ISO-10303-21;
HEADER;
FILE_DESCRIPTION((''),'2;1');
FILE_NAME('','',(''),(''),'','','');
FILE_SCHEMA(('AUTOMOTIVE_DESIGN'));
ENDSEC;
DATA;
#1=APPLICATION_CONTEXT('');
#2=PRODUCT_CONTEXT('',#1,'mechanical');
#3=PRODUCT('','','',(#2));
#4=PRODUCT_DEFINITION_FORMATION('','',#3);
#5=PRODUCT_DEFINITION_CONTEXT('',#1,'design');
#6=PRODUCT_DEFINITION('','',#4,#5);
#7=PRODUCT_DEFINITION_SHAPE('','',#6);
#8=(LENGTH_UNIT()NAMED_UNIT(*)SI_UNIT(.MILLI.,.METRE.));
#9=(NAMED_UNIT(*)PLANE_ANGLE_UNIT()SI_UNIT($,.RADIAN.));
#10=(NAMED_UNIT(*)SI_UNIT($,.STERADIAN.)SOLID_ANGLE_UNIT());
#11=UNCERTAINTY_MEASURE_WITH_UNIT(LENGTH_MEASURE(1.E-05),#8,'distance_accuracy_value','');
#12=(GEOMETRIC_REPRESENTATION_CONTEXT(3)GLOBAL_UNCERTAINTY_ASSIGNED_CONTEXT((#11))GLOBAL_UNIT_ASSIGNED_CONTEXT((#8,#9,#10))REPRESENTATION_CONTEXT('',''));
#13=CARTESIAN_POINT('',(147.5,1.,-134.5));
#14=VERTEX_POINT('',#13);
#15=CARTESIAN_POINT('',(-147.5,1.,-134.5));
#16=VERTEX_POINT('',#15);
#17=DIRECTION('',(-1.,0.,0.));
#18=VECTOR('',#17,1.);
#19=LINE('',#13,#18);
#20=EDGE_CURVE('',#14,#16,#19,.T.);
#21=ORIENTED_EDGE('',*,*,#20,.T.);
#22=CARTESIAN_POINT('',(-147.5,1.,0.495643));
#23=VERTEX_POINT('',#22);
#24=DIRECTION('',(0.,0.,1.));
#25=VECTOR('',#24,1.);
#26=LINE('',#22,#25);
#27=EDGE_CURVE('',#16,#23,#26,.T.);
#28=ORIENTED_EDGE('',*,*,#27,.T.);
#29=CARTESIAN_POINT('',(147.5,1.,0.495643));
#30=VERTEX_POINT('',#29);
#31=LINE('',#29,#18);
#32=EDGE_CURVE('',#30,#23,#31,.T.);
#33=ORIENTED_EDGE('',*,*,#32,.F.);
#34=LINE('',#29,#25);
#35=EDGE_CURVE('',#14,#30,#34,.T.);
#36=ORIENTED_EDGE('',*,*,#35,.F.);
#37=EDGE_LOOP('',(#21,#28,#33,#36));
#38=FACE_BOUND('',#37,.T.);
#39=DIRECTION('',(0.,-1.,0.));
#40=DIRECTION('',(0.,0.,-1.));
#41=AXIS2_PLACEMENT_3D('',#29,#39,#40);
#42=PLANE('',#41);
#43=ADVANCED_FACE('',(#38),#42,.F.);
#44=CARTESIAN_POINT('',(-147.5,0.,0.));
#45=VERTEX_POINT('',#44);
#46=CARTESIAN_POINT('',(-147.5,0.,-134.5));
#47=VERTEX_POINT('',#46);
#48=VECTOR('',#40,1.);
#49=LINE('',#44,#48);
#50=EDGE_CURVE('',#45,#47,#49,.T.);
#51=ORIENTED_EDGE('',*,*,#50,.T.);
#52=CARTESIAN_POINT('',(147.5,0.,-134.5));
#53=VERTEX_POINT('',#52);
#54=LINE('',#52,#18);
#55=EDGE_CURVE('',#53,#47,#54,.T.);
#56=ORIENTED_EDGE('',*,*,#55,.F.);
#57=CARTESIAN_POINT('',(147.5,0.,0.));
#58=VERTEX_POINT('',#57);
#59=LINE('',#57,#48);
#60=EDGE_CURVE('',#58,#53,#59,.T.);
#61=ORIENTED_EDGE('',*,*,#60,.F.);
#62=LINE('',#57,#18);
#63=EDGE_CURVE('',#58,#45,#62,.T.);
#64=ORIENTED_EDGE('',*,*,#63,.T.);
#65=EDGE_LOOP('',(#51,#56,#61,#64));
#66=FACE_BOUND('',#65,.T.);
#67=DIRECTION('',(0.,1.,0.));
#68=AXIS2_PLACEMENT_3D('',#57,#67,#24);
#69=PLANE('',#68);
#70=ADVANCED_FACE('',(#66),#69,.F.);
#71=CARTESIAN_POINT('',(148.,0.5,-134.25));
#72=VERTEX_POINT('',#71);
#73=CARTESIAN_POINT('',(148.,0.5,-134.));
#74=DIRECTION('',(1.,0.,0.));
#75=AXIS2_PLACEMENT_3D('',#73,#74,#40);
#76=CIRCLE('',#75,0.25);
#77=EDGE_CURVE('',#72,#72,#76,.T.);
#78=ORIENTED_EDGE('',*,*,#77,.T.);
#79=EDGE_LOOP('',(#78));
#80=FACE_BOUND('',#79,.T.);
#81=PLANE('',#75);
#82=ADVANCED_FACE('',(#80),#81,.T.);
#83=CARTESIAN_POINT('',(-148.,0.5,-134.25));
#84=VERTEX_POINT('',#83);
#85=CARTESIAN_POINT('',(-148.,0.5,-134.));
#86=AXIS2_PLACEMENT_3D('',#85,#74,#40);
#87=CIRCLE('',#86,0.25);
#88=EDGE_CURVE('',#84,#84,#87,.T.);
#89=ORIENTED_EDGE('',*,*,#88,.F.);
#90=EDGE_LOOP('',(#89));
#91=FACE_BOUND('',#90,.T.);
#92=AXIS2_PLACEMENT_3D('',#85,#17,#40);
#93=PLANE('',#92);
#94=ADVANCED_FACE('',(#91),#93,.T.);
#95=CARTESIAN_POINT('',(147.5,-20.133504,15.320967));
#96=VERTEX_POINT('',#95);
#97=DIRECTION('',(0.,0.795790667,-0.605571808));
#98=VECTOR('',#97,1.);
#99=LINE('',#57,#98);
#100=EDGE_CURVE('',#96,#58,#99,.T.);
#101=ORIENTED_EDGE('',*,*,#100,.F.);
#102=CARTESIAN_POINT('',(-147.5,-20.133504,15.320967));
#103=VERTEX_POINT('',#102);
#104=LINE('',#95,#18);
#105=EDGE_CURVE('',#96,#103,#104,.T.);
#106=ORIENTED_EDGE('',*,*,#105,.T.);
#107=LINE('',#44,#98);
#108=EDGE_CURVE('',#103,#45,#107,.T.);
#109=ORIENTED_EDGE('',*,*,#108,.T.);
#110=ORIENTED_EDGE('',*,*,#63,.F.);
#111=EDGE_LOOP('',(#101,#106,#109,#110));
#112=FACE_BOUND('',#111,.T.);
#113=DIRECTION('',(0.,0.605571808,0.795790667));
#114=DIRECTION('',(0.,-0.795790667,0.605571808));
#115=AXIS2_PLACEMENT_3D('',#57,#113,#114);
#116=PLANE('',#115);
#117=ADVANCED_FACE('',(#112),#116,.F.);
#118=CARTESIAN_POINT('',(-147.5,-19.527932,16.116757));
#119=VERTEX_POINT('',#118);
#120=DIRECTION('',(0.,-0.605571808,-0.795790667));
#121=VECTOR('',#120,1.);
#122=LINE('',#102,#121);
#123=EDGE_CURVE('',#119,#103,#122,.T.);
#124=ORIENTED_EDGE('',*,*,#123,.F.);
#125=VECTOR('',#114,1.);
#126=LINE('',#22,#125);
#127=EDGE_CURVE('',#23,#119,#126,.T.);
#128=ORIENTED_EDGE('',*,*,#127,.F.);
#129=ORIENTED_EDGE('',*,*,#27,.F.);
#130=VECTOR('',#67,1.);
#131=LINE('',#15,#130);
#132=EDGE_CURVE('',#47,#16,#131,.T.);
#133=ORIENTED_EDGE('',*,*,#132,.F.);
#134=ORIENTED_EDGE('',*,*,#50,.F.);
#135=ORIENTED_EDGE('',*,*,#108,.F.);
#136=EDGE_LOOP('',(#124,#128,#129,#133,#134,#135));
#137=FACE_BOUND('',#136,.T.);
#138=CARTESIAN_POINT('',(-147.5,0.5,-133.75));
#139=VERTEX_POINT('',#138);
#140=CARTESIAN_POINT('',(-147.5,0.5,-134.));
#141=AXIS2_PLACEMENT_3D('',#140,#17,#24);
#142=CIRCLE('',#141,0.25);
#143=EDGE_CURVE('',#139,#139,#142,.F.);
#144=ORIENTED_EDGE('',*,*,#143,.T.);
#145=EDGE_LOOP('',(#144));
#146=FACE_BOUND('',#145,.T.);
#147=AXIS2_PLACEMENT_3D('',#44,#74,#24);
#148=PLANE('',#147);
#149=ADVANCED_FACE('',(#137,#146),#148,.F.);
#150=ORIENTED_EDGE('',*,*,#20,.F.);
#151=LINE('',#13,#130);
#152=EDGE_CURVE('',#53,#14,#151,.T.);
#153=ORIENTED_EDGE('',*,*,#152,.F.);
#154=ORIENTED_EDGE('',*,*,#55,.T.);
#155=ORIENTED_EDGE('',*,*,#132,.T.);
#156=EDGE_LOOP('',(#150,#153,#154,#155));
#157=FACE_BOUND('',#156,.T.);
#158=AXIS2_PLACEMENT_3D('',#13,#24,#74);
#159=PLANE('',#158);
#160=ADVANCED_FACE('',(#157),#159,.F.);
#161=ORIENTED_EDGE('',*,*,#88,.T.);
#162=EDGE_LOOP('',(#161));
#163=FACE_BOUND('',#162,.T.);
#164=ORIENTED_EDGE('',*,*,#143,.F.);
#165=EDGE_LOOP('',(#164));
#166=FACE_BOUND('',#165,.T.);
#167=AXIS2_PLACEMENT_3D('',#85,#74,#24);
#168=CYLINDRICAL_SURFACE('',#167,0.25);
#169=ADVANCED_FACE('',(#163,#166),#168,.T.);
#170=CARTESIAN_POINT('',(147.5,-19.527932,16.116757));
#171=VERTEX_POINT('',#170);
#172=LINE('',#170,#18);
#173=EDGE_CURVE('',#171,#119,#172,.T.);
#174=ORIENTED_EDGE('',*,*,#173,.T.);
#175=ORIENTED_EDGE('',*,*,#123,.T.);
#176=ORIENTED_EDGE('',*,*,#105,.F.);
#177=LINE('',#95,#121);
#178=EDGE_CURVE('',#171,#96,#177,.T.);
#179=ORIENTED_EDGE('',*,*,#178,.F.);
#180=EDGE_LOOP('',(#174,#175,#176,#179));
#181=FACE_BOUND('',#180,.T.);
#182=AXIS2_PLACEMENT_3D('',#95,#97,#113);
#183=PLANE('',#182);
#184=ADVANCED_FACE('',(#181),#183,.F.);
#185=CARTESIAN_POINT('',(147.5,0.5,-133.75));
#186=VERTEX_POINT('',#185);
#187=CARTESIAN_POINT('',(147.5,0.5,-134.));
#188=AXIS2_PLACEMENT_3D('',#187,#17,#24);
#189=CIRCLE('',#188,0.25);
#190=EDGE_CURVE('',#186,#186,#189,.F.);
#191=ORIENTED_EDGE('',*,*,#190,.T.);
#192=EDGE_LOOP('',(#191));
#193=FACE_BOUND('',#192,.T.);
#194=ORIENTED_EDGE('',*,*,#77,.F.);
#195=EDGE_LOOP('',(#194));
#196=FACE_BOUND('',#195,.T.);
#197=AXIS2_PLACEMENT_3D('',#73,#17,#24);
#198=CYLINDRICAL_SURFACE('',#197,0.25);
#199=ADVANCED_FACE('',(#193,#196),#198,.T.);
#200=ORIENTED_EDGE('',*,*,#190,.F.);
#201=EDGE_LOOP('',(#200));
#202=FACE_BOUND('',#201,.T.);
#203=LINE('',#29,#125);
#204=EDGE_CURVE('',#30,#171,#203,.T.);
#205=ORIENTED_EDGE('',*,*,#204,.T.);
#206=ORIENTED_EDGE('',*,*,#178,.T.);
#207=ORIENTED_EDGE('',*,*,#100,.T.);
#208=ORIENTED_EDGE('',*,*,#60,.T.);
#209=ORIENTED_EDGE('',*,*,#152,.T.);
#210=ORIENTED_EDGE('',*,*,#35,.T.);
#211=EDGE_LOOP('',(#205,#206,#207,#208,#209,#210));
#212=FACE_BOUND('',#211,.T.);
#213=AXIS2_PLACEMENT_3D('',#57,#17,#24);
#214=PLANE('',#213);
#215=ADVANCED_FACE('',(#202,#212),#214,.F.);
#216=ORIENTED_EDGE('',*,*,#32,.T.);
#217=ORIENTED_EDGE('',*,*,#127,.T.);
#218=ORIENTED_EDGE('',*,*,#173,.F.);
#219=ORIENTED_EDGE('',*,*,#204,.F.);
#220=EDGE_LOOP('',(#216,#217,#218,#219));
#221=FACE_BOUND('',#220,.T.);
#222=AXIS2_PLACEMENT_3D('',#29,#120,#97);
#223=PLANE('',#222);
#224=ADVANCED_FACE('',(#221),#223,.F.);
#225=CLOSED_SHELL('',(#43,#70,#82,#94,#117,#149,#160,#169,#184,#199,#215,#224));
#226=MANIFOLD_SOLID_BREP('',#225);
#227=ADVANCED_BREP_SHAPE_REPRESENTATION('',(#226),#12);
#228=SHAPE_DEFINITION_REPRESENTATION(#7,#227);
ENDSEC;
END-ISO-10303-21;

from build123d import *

# Parameters (mm, degrees)
SALIENTE_EXTRUIR1_DEPTH = 147.5
CROQUIS2_R              = 0.25
SALIENTE_EXTRUIR2_DEPTH = 0.5


with BuildPart() as part:
    # Croquis1 → Saliente-Extruir1 (new body)
    with BuildSketch(Plane(origin=(0, 0, 0), x_dir=(0, 0, -1), z_dir=(1, 0, 0))):
        Polygon((0, 0), (134.5, 0), (134.5, 1), (-0.495643149, 1), (-16.116757416, -19.527932056), (-15.320966749, -20.133503865), align=None)
    extrude(amount=SALIENTE_EXTRUIR1_DEPTH)

    # Croquis2 → Saliente-Extruir2 (add)
    with BuildSketch(Plane(origin=(147.5, 0, 0), x_dir=(0, 0, -1), z_dir=(1, 0, 0))):
        with Locations(Location((134, 0.5, 0), (0, 0, 180))):
            Circle(CROQUIS2_R)
    extrude(amount=SALIENTE_EXTRUIR2_DEPTH)

    # Simetría1: part across plane


with BuildPart() as part_1:
    add(part.part)
    add(part.part.mirror(Plane.ZY))


solid = part_1.part
